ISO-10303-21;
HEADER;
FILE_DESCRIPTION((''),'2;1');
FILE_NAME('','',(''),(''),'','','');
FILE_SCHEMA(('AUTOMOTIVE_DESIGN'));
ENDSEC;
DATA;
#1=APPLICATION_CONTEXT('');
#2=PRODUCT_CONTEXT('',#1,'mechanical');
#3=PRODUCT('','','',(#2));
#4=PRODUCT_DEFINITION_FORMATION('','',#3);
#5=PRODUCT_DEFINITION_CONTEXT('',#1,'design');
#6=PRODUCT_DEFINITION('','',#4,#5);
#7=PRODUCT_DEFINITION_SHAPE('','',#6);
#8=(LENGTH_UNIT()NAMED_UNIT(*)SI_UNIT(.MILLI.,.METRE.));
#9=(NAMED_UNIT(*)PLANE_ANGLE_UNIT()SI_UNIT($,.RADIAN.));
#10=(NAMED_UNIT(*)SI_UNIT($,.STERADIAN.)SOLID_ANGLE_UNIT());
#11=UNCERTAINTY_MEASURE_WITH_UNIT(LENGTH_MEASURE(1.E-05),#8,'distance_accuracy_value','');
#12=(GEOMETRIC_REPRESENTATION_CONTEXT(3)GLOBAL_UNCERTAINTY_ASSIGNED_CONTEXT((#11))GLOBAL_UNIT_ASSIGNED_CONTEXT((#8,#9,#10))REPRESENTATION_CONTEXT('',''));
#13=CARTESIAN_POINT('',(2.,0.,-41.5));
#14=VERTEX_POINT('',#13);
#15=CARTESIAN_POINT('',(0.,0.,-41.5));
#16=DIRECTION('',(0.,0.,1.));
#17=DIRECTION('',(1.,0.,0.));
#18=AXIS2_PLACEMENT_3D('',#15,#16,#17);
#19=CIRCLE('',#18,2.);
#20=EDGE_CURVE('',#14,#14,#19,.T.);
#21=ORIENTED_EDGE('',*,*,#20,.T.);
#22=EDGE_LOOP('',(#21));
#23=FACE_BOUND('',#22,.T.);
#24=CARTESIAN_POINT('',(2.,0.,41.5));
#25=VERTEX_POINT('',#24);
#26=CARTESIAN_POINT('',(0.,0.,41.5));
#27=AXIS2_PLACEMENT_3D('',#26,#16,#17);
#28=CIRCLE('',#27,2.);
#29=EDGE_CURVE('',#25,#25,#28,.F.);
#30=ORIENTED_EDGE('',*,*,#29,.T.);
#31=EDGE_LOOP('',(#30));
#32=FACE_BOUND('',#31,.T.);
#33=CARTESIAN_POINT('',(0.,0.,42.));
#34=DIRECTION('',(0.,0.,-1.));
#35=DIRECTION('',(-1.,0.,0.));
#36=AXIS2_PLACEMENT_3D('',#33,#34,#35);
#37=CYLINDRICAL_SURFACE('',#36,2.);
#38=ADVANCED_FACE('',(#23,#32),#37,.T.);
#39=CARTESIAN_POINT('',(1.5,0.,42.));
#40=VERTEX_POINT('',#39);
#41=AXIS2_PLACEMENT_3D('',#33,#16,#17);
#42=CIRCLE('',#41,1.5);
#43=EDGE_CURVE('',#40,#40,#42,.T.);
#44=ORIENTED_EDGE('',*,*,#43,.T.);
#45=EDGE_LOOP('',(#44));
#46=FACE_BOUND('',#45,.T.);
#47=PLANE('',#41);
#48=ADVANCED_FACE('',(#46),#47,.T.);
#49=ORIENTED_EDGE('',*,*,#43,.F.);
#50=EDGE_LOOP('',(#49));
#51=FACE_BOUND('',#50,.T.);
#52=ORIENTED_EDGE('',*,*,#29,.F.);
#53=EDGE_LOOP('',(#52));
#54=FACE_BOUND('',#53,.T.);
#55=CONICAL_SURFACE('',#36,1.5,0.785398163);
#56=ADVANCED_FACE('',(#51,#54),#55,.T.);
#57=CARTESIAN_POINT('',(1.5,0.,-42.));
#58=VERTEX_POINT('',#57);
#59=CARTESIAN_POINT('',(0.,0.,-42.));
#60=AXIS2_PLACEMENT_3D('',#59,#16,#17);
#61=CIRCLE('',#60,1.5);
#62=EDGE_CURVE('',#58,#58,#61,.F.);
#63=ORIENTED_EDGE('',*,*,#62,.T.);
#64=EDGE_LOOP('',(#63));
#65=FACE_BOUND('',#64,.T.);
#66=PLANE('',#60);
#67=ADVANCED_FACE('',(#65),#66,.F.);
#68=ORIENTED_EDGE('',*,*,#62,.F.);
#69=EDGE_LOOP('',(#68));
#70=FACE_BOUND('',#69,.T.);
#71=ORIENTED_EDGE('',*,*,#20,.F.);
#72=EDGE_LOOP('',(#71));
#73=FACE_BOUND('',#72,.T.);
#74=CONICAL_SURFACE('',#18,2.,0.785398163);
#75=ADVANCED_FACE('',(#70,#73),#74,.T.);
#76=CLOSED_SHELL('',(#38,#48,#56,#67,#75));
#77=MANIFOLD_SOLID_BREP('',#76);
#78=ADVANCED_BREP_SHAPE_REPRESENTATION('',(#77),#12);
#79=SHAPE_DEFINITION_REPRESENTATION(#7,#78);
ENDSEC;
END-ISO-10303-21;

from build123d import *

# Parameters (mm, degrees)
SKETCH1_R           = 2
BOSS_EXTRUDE1_DEPTH = 42
CHAMFER1_SIZE       = 0.5


with BuildPart() as part:
    # Sketch1 → Boss-Extrude1 (new body, symmetric)
    with BuildSketch(Plane.XY):
        Circle(SKETCH1_R)
    extrude(amount=BOSS_EXTRUDE1_DEPTH, both=True)

    # Chamfer1
    chamfer1_edges = [part.edges().sort_by_distance(p)[0] for p in [
        (-2, 0, -42),
        (-2, 0, 42),
    ]]
    chamfer(chamfer1_edges, length=CHAMFER1_SIZE)


solid = part.part
